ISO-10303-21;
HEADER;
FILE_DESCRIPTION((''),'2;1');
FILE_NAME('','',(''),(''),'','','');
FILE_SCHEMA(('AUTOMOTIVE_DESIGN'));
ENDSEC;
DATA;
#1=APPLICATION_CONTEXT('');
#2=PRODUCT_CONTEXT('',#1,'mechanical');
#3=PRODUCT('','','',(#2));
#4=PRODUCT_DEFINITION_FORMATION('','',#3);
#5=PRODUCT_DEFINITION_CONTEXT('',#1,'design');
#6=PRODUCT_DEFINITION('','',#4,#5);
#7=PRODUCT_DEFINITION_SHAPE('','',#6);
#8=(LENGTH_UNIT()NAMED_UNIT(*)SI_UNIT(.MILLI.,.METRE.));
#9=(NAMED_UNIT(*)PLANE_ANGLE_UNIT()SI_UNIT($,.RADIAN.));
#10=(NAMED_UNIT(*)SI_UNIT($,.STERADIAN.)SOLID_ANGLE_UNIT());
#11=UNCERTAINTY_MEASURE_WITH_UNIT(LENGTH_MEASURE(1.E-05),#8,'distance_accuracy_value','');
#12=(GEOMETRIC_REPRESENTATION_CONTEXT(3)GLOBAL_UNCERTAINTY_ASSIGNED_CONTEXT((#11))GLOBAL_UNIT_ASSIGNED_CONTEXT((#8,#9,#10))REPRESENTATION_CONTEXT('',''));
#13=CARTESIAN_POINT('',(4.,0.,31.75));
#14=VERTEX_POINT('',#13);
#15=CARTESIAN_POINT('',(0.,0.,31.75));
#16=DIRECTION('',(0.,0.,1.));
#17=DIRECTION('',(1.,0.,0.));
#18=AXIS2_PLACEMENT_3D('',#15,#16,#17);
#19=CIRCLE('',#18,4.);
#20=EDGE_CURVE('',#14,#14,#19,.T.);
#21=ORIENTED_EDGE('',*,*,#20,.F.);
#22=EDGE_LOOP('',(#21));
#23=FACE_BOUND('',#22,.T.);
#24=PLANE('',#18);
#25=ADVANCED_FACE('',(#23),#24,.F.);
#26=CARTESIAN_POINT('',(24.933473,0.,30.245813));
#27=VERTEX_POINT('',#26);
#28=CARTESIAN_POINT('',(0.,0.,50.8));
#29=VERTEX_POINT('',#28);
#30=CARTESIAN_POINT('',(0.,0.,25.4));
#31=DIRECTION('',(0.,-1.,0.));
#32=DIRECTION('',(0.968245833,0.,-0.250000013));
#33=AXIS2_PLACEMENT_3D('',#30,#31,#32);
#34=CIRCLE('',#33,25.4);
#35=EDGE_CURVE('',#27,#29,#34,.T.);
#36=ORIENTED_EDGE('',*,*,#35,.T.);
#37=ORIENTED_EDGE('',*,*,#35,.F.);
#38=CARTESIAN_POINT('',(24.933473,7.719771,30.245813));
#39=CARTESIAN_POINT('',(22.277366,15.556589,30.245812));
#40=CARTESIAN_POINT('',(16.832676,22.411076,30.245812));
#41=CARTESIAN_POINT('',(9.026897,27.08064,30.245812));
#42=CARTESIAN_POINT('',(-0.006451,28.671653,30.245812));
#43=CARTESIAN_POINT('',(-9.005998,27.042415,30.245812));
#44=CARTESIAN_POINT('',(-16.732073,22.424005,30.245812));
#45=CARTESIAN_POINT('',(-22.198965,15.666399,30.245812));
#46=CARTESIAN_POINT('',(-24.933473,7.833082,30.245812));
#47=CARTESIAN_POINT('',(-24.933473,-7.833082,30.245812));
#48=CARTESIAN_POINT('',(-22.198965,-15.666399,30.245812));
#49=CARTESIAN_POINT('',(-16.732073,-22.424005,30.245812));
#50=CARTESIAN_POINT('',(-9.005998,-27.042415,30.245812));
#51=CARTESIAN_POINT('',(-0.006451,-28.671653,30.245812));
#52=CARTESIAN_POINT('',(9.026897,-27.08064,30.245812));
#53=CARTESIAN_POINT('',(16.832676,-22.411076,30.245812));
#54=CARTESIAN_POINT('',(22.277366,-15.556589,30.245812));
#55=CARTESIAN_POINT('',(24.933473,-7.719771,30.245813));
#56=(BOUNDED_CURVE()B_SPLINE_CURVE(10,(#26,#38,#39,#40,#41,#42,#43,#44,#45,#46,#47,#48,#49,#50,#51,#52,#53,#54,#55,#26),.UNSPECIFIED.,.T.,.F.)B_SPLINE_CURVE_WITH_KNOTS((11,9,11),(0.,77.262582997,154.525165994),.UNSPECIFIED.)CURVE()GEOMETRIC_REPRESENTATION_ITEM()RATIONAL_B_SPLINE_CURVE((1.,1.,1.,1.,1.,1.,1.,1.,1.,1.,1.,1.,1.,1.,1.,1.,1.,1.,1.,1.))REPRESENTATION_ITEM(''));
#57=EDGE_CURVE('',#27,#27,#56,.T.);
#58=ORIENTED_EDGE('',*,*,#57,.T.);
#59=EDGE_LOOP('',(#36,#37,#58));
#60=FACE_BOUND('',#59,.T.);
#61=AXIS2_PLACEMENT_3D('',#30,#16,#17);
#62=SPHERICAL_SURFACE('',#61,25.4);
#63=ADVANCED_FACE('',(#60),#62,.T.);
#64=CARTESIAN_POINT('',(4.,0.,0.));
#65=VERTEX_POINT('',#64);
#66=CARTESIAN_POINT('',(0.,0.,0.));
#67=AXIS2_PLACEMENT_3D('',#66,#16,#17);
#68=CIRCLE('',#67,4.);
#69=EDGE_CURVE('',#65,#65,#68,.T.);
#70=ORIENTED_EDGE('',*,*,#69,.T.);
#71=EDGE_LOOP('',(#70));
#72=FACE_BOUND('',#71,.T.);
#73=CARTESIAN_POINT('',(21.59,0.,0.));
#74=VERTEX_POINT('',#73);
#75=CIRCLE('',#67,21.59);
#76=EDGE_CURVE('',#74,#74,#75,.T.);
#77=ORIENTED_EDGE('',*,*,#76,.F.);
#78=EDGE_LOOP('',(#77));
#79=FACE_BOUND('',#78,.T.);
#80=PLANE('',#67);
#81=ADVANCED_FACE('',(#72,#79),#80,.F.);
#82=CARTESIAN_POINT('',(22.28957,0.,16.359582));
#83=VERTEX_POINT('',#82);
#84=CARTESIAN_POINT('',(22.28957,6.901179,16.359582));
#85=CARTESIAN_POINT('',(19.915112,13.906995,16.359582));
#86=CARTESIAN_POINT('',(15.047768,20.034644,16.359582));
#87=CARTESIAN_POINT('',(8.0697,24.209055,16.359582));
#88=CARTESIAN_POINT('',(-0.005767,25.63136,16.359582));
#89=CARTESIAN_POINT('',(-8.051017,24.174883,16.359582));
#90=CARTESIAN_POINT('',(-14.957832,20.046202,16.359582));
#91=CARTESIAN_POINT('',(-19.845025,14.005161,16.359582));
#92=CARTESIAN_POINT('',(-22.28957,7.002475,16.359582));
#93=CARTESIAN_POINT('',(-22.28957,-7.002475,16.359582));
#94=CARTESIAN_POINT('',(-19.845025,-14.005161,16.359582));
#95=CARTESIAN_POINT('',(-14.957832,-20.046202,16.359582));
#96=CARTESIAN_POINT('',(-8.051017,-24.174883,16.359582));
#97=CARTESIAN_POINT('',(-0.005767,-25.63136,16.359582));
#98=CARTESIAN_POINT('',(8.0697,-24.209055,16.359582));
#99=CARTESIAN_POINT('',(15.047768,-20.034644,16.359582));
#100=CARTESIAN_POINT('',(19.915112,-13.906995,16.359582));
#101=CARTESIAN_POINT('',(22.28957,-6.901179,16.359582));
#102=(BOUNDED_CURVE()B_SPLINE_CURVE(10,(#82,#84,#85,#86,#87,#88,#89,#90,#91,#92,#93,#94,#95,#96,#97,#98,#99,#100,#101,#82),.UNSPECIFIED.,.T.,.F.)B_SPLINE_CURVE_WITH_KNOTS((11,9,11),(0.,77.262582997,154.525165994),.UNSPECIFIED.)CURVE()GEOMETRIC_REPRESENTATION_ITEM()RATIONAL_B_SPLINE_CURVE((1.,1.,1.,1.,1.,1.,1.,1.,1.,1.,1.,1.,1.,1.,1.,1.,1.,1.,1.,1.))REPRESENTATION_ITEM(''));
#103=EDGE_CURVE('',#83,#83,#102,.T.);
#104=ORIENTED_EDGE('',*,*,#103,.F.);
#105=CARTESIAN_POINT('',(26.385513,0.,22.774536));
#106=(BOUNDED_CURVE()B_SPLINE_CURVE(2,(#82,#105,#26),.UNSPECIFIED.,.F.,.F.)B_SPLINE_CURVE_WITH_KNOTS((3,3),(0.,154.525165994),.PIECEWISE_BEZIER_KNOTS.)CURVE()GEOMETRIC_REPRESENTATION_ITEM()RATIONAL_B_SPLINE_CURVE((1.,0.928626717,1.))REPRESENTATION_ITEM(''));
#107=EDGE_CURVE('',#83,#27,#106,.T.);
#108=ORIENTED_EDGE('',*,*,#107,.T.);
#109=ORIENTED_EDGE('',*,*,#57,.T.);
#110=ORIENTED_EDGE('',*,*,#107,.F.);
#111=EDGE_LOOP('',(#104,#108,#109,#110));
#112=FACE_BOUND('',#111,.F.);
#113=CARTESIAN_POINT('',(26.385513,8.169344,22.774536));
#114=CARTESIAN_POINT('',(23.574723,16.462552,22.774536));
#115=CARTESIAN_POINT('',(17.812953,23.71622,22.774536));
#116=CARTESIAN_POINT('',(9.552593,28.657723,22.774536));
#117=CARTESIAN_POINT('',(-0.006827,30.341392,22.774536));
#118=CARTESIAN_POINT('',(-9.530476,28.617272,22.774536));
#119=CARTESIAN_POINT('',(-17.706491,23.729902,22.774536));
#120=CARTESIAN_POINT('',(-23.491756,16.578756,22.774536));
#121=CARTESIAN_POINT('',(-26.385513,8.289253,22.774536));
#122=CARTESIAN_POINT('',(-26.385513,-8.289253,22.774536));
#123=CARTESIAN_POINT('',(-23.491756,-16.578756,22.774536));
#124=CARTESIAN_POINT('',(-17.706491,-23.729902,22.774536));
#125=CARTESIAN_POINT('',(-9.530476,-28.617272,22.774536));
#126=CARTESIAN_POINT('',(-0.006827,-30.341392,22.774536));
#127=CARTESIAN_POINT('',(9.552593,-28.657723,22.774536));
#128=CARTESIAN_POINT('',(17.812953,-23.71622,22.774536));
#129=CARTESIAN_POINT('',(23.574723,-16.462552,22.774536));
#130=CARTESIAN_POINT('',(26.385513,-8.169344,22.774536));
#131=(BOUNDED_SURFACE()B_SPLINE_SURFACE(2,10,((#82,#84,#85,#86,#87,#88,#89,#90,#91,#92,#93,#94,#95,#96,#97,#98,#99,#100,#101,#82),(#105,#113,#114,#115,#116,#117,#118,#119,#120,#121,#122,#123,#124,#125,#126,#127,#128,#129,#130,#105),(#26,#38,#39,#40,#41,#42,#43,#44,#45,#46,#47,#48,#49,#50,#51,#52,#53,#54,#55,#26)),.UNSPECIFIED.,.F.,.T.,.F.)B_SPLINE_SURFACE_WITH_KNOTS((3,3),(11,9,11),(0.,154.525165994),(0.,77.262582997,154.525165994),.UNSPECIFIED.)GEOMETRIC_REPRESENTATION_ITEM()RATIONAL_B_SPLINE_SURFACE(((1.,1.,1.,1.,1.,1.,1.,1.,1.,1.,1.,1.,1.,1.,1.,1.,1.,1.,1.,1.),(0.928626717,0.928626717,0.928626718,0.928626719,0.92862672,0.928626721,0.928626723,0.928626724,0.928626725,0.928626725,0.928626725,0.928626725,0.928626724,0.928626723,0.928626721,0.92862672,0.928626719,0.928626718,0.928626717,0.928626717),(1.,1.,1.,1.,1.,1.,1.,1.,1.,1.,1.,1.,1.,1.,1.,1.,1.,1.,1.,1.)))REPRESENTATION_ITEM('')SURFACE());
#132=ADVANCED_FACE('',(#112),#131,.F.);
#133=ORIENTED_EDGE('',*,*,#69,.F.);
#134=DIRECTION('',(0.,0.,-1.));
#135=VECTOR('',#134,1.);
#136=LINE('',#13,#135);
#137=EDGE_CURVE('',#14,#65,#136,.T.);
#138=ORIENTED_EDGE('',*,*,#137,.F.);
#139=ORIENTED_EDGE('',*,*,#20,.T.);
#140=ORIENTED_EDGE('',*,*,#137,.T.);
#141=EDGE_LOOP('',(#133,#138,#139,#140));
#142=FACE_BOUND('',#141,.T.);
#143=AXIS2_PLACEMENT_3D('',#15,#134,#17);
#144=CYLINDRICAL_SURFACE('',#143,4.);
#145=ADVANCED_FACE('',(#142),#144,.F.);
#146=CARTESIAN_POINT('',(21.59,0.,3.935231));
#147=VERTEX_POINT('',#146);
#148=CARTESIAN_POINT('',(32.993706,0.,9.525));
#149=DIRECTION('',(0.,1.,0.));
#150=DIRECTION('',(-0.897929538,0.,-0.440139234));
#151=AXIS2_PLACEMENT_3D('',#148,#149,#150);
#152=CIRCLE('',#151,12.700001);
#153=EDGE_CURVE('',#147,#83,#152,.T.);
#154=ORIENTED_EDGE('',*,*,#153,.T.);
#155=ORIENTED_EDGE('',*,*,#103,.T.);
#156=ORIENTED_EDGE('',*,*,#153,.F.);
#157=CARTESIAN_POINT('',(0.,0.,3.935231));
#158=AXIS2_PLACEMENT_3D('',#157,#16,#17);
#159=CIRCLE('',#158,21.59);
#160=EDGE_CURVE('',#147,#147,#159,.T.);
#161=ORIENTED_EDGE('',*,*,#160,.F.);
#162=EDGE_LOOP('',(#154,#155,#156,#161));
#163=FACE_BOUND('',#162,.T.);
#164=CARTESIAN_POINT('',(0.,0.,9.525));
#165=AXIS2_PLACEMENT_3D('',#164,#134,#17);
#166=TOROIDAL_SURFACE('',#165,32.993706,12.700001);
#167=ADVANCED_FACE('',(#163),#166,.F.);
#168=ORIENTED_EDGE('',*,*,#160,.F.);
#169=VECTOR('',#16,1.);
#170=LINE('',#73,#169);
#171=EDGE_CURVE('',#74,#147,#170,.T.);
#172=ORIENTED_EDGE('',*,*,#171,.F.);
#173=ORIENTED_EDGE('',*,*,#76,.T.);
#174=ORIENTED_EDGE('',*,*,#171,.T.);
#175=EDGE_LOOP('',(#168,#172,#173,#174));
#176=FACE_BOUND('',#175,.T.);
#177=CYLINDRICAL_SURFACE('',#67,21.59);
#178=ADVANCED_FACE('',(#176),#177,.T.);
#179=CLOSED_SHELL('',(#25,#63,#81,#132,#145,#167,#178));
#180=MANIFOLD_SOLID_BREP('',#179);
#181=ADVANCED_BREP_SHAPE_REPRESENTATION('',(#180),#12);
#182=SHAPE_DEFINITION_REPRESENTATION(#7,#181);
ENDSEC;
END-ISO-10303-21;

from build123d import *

# Parameters (mm, degrees)
F2_R = 19.05


with BuildPart() as f1:
    # F0 (on Front) → F1 (revolve)
    with BuildSketch(Plane.XZ):
        with BuildLine():
            ThreePointArc((21.59, 3.935231), (20.537248, 12.000213), (24.593444, 19.05))
            ThreePointArc((24.593444, 19.05), (20.080463, 40.95426), (0, 50.8))
            Line((0, 50.8), (0, 31.75))
            Line((0, 31.75), (4, 31.75))
            Line((4, 31.75), (4, 0))
            Line((4, 0), (21.59, 0))
            Line((21.59, 0), (21.59, 3.935231))
        make_face()
    revolve(axis=Axis((0, 0, 41.275), (0, 0, 1)))

    # F2
    f2_edges = [f1.edges().sort_by_distance(p)[0] for p in [
        (-24.593444, 0, 19.05),
    ]]
    fillet(f2_edges, radius=F2_R)


solid = f1.part
